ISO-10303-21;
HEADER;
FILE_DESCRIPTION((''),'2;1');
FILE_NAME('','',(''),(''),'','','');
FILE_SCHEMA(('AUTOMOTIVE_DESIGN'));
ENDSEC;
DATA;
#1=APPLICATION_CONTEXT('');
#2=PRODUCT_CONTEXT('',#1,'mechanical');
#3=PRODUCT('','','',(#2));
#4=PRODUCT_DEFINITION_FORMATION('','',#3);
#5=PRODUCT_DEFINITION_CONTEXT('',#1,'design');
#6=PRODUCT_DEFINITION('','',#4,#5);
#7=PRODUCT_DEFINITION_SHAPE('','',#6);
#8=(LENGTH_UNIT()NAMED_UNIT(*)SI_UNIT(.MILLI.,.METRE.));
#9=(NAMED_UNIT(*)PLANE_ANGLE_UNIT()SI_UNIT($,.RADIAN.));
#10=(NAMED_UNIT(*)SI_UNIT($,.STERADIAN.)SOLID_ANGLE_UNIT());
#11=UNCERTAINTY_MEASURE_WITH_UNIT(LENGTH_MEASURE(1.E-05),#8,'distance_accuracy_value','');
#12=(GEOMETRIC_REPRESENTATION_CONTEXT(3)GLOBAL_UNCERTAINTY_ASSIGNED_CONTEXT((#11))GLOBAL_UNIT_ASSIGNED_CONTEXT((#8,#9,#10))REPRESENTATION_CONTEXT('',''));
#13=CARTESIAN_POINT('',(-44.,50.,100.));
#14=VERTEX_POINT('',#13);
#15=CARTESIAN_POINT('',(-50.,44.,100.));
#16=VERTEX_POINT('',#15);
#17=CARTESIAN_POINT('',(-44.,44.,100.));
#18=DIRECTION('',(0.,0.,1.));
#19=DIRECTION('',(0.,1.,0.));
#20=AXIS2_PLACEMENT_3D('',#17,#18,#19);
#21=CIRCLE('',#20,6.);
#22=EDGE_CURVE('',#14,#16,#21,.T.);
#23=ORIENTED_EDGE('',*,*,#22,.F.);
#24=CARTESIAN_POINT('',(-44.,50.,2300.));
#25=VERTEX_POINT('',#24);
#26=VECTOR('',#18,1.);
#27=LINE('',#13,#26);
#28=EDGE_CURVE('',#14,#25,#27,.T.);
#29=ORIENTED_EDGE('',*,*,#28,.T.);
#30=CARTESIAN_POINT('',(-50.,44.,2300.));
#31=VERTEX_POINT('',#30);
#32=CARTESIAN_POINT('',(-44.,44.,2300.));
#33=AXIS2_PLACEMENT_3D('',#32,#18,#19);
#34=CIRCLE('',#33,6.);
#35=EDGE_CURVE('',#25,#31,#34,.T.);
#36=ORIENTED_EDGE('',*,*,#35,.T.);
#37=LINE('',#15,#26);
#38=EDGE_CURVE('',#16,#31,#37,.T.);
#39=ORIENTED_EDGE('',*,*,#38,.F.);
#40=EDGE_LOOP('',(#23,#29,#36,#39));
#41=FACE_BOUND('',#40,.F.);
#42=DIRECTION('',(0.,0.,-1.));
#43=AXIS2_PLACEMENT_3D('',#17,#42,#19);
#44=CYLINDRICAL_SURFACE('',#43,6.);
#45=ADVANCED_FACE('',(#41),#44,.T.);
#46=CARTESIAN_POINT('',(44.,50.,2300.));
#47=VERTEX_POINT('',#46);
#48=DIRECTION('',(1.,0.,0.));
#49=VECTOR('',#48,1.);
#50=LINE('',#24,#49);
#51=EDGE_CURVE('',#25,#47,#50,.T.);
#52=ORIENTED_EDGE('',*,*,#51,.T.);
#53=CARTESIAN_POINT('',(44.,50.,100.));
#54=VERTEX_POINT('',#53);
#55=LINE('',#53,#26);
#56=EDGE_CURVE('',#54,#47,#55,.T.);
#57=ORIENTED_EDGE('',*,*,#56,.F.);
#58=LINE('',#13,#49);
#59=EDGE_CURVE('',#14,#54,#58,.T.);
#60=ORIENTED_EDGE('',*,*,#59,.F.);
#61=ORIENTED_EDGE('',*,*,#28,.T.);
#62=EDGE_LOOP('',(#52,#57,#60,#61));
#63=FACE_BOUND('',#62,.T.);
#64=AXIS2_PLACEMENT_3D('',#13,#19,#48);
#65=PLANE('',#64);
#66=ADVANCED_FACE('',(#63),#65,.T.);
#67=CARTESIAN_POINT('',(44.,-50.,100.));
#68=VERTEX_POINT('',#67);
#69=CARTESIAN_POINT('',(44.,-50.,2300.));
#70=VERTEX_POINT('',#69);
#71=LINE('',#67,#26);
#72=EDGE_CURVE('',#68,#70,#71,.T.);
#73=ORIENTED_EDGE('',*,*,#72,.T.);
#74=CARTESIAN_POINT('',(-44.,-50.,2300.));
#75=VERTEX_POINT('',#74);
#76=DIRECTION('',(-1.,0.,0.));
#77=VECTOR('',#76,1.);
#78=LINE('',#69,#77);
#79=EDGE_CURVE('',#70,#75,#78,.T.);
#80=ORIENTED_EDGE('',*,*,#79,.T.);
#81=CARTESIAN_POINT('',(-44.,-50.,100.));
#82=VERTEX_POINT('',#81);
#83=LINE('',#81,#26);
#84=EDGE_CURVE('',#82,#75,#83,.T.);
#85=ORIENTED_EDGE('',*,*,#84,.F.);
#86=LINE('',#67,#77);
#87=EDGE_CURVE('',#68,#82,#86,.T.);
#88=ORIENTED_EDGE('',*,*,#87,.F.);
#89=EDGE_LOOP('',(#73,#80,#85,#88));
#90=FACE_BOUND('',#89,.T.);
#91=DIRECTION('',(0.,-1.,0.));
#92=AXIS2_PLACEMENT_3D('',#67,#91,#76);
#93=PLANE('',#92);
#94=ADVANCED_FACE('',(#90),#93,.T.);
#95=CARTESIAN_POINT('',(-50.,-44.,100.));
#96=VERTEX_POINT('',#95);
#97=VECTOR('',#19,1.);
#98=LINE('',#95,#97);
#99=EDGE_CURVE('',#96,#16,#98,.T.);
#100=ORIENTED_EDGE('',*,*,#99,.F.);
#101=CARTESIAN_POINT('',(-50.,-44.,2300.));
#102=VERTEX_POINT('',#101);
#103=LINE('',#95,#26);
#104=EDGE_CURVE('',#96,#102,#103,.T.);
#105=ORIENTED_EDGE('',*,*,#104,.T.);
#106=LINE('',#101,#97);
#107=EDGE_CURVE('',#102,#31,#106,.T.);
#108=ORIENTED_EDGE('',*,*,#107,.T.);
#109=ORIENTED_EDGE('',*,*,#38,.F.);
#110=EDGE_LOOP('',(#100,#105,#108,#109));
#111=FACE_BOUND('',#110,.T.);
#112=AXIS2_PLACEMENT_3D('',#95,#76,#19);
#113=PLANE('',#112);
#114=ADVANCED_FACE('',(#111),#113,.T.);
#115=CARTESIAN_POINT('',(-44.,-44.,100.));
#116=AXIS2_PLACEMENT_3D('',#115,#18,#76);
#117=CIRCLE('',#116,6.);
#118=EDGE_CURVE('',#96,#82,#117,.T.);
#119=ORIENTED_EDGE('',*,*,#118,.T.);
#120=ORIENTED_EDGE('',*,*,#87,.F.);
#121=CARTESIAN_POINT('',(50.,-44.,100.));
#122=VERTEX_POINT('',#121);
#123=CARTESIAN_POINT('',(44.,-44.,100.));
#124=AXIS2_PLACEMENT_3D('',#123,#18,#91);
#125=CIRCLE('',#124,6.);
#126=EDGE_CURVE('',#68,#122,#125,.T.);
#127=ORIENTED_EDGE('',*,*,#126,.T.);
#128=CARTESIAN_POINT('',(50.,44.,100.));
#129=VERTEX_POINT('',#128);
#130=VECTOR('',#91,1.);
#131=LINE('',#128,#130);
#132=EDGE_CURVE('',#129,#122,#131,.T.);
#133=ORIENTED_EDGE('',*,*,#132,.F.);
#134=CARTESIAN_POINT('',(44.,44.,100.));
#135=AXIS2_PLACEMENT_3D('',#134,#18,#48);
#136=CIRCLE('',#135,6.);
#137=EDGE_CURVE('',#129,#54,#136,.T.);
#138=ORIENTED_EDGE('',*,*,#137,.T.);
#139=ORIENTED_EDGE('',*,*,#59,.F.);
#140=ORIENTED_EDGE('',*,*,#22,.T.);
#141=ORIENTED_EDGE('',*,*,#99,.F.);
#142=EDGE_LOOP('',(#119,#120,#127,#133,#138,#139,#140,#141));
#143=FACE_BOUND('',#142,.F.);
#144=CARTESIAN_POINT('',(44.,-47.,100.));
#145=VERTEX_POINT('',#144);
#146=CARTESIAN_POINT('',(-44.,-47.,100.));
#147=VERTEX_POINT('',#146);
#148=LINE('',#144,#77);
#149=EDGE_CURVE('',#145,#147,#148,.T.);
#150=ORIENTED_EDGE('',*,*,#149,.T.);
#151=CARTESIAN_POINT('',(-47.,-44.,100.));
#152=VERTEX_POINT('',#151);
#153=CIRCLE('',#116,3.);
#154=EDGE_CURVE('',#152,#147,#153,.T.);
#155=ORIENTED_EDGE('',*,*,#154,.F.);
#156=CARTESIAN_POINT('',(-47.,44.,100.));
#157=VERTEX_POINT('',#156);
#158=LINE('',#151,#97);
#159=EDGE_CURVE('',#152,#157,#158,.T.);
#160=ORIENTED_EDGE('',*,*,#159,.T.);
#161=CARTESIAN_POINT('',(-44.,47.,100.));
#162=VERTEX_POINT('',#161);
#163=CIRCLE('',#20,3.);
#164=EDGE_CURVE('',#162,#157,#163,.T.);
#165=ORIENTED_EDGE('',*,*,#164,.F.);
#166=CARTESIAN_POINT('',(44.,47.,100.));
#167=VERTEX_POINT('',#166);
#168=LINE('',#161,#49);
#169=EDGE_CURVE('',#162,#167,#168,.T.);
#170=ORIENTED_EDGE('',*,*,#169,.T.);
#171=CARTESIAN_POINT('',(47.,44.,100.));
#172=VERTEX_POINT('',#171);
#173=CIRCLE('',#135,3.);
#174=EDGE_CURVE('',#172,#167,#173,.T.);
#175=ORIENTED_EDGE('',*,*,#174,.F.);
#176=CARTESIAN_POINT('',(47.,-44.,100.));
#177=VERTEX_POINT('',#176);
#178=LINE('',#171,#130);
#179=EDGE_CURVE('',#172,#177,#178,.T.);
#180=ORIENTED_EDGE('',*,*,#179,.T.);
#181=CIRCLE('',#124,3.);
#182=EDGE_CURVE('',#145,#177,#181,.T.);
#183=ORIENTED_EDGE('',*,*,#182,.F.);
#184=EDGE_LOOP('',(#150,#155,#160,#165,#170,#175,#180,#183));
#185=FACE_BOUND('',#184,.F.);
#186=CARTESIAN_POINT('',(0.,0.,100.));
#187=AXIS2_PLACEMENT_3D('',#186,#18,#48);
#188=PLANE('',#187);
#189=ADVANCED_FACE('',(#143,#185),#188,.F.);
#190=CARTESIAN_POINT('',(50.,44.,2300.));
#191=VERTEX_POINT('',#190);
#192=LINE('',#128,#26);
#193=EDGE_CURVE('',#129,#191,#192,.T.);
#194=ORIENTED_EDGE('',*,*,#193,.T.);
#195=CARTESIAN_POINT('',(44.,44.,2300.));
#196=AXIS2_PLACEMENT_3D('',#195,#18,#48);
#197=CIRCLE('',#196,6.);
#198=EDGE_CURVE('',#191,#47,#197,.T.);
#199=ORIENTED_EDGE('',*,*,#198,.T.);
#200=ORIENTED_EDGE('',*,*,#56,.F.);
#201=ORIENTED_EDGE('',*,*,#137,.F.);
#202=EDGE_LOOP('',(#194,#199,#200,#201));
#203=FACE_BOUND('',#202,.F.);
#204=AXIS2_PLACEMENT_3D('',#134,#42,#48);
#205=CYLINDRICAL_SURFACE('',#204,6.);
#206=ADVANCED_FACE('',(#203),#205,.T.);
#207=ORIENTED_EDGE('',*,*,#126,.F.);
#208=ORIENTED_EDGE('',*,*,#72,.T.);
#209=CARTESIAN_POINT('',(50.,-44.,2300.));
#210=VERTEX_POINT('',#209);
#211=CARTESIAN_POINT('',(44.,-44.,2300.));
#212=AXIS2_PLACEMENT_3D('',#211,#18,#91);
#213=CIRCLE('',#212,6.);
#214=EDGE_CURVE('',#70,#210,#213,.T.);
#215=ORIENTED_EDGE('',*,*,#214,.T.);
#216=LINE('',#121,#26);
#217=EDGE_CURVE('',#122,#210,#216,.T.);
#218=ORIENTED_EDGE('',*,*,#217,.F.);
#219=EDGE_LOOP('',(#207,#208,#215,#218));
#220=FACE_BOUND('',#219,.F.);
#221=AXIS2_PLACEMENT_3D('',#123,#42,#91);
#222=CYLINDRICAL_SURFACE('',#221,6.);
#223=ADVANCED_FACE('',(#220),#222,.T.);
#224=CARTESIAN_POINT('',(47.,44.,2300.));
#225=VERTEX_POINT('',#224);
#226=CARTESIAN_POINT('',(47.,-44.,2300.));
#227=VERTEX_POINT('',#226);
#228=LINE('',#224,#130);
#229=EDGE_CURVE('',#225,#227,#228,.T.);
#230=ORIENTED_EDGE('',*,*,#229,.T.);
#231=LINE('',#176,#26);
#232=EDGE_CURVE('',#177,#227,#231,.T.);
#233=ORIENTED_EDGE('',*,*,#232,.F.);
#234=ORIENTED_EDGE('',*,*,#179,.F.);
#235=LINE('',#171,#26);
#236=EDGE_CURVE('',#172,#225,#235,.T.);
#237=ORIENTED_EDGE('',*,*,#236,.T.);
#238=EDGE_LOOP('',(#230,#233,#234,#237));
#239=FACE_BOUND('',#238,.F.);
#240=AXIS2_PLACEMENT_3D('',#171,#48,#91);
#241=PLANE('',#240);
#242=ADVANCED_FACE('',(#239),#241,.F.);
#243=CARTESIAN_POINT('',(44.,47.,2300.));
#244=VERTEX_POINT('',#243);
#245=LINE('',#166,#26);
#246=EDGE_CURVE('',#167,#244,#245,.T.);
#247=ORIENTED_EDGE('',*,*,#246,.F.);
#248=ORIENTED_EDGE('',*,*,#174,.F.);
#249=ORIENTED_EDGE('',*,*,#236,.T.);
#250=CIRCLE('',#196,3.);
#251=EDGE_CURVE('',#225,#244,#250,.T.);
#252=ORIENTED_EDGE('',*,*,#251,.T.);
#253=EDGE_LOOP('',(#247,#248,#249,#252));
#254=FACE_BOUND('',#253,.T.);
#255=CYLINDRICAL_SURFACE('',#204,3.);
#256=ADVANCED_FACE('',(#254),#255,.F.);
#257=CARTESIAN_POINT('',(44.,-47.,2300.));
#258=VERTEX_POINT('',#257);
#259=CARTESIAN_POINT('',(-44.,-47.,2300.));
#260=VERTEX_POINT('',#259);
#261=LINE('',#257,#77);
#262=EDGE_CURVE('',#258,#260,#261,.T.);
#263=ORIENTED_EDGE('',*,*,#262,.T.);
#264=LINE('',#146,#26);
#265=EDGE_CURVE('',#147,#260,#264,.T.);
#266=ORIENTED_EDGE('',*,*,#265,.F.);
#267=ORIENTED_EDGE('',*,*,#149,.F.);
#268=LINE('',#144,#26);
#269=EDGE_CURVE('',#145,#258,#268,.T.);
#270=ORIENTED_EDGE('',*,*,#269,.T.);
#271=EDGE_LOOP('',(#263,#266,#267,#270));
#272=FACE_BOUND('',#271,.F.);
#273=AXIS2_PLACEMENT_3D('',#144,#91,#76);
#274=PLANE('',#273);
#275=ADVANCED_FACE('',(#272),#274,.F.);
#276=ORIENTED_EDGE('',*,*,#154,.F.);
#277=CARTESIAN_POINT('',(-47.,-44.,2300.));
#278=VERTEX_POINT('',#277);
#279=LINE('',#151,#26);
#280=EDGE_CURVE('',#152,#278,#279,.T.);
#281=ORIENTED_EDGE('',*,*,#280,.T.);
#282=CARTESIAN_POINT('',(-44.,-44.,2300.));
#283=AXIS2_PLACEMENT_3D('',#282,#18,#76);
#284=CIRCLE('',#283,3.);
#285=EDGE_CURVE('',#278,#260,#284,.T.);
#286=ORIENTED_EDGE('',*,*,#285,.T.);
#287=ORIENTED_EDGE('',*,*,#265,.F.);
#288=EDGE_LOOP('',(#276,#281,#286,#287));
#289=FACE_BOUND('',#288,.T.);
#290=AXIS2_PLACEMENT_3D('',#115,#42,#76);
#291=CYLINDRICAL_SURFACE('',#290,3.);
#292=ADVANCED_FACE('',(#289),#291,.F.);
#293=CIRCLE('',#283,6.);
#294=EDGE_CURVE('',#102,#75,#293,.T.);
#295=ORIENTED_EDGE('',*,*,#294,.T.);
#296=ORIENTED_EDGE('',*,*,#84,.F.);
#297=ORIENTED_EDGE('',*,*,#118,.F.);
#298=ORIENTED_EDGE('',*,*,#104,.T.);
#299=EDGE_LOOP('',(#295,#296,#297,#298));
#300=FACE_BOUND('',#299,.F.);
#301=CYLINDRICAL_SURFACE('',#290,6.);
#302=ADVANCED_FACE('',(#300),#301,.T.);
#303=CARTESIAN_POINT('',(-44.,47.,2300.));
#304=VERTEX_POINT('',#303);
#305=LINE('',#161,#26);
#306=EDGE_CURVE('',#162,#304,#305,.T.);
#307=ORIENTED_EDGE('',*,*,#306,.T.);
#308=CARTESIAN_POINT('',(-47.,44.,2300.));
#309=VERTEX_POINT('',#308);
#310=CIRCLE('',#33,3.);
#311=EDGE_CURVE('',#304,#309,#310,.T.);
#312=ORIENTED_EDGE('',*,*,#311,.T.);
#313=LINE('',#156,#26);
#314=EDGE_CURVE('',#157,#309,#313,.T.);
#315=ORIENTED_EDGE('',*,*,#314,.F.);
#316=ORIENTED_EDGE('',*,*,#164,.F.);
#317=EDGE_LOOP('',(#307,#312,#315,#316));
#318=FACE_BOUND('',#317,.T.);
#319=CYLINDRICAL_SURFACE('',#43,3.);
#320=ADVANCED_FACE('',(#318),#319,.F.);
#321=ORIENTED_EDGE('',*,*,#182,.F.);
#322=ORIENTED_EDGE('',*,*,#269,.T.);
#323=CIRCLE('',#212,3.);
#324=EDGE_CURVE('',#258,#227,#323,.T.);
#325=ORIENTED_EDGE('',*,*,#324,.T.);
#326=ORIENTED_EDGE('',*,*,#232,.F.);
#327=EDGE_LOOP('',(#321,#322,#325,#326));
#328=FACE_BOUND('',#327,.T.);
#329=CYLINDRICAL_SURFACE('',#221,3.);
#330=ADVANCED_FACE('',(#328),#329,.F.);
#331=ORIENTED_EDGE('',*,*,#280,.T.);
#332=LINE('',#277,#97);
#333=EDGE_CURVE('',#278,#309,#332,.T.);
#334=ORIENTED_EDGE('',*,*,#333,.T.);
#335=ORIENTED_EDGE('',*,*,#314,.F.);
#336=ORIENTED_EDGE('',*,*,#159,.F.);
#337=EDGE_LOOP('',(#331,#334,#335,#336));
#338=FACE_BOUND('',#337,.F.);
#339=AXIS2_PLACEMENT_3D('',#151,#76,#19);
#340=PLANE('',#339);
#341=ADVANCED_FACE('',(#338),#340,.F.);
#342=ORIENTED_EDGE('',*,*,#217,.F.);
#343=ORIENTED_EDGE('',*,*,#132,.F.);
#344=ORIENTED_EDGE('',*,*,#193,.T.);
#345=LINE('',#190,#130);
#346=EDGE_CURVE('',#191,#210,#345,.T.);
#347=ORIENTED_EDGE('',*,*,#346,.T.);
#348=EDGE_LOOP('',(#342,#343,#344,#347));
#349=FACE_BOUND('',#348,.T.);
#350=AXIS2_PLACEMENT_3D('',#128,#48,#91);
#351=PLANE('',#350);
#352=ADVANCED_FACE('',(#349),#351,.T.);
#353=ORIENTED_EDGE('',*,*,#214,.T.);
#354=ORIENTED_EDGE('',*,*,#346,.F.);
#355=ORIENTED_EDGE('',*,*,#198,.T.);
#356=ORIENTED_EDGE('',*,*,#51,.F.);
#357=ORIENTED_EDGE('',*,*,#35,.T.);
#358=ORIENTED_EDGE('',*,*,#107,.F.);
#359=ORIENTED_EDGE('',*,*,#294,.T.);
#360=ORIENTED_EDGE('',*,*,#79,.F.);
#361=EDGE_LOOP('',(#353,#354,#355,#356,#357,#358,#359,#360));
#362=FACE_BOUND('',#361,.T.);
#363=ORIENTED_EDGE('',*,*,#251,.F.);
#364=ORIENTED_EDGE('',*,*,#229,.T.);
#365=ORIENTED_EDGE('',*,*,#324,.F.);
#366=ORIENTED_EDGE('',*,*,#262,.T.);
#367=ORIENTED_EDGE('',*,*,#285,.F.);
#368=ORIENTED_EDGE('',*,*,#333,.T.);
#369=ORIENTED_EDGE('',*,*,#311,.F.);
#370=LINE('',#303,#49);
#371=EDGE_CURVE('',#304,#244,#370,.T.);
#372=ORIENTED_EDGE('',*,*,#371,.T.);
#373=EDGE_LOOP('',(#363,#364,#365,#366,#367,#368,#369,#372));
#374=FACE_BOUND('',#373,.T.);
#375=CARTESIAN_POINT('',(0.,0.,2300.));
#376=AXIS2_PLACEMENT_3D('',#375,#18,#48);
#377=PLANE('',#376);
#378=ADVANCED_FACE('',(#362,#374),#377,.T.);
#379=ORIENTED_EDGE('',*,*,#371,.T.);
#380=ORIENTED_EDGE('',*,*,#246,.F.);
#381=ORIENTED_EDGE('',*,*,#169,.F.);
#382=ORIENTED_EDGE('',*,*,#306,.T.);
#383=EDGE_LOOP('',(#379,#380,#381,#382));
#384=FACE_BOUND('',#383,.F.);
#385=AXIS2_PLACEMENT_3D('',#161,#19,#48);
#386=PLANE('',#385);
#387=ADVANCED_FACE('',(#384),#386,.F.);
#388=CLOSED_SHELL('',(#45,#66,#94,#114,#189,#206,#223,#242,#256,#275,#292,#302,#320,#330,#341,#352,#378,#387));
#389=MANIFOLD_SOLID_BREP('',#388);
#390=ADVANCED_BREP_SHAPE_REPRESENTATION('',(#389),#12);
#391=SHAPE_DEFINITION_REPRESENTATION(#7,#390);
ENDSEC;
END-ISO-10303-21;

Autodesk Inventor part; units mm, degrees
ref_plane "YZ Plane" through (0, 0, 0) normal (1, 0, 0) x (0, 1, 0)
ref_plane "Start plane" through (0, 0, 100) normal (0, 0, 1) x (1, 0, 0)
ref_plane "End plane" through (0, 0, 2300) normal (0, 0, 1) x (1, 0, 0)
sketch "Sketch" plane through (0, 0, 0) normal (0, 0, 1) x (1, 0, 0)
  line L0 (-50, -44) -> (-50, 44)
  line L1 (-44, 50) -> (44, 50)
  line L2 (50, 44) -> (50, -44)
  line L3 (44, -50) -> (-44, -50)
  arc A0 (-50, -44) -> (-44, -50) centre (-44, -44) ccw
  arc A1 (50, 44) -> (44, 50) centre (44, 44) ccw
  arc A2 (-44, 50) -> (-50, 44) centre (-44, 44) ccw
  arc A3 (44, -50) -> (50, -44) centre (44, -44) ccw
  arc A4 (-44, 47) -> (-47, 44) centre (-44, 44) ccw
  line L4 (-44, 47) -> (44, 47)
  arc A5 (47, 44) -> (44, 47) centre (44, 44) ccw
  line L5 (47, 44) -> (47, -44)
  arc A6 (44, -47) -> (47, -44) centre (44, -44) ccw
  line L6 (44, -47) -> (-44, -47)
  arc A7 (-47, -44) -> (-44, -47) centre (-44, -44) ccw
  line L7 (-47, -44) -> (-47, 44)
  line L8 (0, 71.7397) -> (0, -71.7397) construction
  line L9 (-71.7397, 0) -> (71.7397, 0) construction
  dimension "d7" = 6
  dimension "d9" = 100
  dimension "d11" = 100
  dimension "d12" = 3
  dimension "d15" = 50
  dimension "d16" = 50
extrude "Body" add sketch "Sketch" along normal up to surface (2200 mm away) from surface at 100
sketch "Sketch3" plane through (0, 0, 0) normal (0, 0, 1) x (1, 0, 0)
  line L0 (0, 0) -> (10, 0)
ref_plane "Work Plane3" through (0, 0, 0) normal (0, -1, 0) x (1, 0, 0)
sketch "Sketch4" plane through (0, 0, 0) normal (0, -1, 0) x (1, 0, 0)
  line L0 (-2, 100) -> (12, 100) projected
  line L1 (-2, 2300) -> (12, 2300) projected
  dimension "d18" = 2200
equation "\"d7\" = G_IR"
equation "\"d9\" = G_W"
equation "\"d11\" = G_H"
equation "\"d12\" = G_T"
equation "\"d15\" = 0.5 * d9"
equation "\"d16\" = 0.5 * d11"
equation "\"d3\" = G_L"
equation "\"G_W\" = 100"
equation "\"G_H\" = 100"
equation "\"G_T\" = 3"
equation "\"G_IR\" = 6"
equation "\"G_L\" = d18"
properties part number "ISO 10799-2 - 100x100x3 - 2200" material "Steel, Mild"
